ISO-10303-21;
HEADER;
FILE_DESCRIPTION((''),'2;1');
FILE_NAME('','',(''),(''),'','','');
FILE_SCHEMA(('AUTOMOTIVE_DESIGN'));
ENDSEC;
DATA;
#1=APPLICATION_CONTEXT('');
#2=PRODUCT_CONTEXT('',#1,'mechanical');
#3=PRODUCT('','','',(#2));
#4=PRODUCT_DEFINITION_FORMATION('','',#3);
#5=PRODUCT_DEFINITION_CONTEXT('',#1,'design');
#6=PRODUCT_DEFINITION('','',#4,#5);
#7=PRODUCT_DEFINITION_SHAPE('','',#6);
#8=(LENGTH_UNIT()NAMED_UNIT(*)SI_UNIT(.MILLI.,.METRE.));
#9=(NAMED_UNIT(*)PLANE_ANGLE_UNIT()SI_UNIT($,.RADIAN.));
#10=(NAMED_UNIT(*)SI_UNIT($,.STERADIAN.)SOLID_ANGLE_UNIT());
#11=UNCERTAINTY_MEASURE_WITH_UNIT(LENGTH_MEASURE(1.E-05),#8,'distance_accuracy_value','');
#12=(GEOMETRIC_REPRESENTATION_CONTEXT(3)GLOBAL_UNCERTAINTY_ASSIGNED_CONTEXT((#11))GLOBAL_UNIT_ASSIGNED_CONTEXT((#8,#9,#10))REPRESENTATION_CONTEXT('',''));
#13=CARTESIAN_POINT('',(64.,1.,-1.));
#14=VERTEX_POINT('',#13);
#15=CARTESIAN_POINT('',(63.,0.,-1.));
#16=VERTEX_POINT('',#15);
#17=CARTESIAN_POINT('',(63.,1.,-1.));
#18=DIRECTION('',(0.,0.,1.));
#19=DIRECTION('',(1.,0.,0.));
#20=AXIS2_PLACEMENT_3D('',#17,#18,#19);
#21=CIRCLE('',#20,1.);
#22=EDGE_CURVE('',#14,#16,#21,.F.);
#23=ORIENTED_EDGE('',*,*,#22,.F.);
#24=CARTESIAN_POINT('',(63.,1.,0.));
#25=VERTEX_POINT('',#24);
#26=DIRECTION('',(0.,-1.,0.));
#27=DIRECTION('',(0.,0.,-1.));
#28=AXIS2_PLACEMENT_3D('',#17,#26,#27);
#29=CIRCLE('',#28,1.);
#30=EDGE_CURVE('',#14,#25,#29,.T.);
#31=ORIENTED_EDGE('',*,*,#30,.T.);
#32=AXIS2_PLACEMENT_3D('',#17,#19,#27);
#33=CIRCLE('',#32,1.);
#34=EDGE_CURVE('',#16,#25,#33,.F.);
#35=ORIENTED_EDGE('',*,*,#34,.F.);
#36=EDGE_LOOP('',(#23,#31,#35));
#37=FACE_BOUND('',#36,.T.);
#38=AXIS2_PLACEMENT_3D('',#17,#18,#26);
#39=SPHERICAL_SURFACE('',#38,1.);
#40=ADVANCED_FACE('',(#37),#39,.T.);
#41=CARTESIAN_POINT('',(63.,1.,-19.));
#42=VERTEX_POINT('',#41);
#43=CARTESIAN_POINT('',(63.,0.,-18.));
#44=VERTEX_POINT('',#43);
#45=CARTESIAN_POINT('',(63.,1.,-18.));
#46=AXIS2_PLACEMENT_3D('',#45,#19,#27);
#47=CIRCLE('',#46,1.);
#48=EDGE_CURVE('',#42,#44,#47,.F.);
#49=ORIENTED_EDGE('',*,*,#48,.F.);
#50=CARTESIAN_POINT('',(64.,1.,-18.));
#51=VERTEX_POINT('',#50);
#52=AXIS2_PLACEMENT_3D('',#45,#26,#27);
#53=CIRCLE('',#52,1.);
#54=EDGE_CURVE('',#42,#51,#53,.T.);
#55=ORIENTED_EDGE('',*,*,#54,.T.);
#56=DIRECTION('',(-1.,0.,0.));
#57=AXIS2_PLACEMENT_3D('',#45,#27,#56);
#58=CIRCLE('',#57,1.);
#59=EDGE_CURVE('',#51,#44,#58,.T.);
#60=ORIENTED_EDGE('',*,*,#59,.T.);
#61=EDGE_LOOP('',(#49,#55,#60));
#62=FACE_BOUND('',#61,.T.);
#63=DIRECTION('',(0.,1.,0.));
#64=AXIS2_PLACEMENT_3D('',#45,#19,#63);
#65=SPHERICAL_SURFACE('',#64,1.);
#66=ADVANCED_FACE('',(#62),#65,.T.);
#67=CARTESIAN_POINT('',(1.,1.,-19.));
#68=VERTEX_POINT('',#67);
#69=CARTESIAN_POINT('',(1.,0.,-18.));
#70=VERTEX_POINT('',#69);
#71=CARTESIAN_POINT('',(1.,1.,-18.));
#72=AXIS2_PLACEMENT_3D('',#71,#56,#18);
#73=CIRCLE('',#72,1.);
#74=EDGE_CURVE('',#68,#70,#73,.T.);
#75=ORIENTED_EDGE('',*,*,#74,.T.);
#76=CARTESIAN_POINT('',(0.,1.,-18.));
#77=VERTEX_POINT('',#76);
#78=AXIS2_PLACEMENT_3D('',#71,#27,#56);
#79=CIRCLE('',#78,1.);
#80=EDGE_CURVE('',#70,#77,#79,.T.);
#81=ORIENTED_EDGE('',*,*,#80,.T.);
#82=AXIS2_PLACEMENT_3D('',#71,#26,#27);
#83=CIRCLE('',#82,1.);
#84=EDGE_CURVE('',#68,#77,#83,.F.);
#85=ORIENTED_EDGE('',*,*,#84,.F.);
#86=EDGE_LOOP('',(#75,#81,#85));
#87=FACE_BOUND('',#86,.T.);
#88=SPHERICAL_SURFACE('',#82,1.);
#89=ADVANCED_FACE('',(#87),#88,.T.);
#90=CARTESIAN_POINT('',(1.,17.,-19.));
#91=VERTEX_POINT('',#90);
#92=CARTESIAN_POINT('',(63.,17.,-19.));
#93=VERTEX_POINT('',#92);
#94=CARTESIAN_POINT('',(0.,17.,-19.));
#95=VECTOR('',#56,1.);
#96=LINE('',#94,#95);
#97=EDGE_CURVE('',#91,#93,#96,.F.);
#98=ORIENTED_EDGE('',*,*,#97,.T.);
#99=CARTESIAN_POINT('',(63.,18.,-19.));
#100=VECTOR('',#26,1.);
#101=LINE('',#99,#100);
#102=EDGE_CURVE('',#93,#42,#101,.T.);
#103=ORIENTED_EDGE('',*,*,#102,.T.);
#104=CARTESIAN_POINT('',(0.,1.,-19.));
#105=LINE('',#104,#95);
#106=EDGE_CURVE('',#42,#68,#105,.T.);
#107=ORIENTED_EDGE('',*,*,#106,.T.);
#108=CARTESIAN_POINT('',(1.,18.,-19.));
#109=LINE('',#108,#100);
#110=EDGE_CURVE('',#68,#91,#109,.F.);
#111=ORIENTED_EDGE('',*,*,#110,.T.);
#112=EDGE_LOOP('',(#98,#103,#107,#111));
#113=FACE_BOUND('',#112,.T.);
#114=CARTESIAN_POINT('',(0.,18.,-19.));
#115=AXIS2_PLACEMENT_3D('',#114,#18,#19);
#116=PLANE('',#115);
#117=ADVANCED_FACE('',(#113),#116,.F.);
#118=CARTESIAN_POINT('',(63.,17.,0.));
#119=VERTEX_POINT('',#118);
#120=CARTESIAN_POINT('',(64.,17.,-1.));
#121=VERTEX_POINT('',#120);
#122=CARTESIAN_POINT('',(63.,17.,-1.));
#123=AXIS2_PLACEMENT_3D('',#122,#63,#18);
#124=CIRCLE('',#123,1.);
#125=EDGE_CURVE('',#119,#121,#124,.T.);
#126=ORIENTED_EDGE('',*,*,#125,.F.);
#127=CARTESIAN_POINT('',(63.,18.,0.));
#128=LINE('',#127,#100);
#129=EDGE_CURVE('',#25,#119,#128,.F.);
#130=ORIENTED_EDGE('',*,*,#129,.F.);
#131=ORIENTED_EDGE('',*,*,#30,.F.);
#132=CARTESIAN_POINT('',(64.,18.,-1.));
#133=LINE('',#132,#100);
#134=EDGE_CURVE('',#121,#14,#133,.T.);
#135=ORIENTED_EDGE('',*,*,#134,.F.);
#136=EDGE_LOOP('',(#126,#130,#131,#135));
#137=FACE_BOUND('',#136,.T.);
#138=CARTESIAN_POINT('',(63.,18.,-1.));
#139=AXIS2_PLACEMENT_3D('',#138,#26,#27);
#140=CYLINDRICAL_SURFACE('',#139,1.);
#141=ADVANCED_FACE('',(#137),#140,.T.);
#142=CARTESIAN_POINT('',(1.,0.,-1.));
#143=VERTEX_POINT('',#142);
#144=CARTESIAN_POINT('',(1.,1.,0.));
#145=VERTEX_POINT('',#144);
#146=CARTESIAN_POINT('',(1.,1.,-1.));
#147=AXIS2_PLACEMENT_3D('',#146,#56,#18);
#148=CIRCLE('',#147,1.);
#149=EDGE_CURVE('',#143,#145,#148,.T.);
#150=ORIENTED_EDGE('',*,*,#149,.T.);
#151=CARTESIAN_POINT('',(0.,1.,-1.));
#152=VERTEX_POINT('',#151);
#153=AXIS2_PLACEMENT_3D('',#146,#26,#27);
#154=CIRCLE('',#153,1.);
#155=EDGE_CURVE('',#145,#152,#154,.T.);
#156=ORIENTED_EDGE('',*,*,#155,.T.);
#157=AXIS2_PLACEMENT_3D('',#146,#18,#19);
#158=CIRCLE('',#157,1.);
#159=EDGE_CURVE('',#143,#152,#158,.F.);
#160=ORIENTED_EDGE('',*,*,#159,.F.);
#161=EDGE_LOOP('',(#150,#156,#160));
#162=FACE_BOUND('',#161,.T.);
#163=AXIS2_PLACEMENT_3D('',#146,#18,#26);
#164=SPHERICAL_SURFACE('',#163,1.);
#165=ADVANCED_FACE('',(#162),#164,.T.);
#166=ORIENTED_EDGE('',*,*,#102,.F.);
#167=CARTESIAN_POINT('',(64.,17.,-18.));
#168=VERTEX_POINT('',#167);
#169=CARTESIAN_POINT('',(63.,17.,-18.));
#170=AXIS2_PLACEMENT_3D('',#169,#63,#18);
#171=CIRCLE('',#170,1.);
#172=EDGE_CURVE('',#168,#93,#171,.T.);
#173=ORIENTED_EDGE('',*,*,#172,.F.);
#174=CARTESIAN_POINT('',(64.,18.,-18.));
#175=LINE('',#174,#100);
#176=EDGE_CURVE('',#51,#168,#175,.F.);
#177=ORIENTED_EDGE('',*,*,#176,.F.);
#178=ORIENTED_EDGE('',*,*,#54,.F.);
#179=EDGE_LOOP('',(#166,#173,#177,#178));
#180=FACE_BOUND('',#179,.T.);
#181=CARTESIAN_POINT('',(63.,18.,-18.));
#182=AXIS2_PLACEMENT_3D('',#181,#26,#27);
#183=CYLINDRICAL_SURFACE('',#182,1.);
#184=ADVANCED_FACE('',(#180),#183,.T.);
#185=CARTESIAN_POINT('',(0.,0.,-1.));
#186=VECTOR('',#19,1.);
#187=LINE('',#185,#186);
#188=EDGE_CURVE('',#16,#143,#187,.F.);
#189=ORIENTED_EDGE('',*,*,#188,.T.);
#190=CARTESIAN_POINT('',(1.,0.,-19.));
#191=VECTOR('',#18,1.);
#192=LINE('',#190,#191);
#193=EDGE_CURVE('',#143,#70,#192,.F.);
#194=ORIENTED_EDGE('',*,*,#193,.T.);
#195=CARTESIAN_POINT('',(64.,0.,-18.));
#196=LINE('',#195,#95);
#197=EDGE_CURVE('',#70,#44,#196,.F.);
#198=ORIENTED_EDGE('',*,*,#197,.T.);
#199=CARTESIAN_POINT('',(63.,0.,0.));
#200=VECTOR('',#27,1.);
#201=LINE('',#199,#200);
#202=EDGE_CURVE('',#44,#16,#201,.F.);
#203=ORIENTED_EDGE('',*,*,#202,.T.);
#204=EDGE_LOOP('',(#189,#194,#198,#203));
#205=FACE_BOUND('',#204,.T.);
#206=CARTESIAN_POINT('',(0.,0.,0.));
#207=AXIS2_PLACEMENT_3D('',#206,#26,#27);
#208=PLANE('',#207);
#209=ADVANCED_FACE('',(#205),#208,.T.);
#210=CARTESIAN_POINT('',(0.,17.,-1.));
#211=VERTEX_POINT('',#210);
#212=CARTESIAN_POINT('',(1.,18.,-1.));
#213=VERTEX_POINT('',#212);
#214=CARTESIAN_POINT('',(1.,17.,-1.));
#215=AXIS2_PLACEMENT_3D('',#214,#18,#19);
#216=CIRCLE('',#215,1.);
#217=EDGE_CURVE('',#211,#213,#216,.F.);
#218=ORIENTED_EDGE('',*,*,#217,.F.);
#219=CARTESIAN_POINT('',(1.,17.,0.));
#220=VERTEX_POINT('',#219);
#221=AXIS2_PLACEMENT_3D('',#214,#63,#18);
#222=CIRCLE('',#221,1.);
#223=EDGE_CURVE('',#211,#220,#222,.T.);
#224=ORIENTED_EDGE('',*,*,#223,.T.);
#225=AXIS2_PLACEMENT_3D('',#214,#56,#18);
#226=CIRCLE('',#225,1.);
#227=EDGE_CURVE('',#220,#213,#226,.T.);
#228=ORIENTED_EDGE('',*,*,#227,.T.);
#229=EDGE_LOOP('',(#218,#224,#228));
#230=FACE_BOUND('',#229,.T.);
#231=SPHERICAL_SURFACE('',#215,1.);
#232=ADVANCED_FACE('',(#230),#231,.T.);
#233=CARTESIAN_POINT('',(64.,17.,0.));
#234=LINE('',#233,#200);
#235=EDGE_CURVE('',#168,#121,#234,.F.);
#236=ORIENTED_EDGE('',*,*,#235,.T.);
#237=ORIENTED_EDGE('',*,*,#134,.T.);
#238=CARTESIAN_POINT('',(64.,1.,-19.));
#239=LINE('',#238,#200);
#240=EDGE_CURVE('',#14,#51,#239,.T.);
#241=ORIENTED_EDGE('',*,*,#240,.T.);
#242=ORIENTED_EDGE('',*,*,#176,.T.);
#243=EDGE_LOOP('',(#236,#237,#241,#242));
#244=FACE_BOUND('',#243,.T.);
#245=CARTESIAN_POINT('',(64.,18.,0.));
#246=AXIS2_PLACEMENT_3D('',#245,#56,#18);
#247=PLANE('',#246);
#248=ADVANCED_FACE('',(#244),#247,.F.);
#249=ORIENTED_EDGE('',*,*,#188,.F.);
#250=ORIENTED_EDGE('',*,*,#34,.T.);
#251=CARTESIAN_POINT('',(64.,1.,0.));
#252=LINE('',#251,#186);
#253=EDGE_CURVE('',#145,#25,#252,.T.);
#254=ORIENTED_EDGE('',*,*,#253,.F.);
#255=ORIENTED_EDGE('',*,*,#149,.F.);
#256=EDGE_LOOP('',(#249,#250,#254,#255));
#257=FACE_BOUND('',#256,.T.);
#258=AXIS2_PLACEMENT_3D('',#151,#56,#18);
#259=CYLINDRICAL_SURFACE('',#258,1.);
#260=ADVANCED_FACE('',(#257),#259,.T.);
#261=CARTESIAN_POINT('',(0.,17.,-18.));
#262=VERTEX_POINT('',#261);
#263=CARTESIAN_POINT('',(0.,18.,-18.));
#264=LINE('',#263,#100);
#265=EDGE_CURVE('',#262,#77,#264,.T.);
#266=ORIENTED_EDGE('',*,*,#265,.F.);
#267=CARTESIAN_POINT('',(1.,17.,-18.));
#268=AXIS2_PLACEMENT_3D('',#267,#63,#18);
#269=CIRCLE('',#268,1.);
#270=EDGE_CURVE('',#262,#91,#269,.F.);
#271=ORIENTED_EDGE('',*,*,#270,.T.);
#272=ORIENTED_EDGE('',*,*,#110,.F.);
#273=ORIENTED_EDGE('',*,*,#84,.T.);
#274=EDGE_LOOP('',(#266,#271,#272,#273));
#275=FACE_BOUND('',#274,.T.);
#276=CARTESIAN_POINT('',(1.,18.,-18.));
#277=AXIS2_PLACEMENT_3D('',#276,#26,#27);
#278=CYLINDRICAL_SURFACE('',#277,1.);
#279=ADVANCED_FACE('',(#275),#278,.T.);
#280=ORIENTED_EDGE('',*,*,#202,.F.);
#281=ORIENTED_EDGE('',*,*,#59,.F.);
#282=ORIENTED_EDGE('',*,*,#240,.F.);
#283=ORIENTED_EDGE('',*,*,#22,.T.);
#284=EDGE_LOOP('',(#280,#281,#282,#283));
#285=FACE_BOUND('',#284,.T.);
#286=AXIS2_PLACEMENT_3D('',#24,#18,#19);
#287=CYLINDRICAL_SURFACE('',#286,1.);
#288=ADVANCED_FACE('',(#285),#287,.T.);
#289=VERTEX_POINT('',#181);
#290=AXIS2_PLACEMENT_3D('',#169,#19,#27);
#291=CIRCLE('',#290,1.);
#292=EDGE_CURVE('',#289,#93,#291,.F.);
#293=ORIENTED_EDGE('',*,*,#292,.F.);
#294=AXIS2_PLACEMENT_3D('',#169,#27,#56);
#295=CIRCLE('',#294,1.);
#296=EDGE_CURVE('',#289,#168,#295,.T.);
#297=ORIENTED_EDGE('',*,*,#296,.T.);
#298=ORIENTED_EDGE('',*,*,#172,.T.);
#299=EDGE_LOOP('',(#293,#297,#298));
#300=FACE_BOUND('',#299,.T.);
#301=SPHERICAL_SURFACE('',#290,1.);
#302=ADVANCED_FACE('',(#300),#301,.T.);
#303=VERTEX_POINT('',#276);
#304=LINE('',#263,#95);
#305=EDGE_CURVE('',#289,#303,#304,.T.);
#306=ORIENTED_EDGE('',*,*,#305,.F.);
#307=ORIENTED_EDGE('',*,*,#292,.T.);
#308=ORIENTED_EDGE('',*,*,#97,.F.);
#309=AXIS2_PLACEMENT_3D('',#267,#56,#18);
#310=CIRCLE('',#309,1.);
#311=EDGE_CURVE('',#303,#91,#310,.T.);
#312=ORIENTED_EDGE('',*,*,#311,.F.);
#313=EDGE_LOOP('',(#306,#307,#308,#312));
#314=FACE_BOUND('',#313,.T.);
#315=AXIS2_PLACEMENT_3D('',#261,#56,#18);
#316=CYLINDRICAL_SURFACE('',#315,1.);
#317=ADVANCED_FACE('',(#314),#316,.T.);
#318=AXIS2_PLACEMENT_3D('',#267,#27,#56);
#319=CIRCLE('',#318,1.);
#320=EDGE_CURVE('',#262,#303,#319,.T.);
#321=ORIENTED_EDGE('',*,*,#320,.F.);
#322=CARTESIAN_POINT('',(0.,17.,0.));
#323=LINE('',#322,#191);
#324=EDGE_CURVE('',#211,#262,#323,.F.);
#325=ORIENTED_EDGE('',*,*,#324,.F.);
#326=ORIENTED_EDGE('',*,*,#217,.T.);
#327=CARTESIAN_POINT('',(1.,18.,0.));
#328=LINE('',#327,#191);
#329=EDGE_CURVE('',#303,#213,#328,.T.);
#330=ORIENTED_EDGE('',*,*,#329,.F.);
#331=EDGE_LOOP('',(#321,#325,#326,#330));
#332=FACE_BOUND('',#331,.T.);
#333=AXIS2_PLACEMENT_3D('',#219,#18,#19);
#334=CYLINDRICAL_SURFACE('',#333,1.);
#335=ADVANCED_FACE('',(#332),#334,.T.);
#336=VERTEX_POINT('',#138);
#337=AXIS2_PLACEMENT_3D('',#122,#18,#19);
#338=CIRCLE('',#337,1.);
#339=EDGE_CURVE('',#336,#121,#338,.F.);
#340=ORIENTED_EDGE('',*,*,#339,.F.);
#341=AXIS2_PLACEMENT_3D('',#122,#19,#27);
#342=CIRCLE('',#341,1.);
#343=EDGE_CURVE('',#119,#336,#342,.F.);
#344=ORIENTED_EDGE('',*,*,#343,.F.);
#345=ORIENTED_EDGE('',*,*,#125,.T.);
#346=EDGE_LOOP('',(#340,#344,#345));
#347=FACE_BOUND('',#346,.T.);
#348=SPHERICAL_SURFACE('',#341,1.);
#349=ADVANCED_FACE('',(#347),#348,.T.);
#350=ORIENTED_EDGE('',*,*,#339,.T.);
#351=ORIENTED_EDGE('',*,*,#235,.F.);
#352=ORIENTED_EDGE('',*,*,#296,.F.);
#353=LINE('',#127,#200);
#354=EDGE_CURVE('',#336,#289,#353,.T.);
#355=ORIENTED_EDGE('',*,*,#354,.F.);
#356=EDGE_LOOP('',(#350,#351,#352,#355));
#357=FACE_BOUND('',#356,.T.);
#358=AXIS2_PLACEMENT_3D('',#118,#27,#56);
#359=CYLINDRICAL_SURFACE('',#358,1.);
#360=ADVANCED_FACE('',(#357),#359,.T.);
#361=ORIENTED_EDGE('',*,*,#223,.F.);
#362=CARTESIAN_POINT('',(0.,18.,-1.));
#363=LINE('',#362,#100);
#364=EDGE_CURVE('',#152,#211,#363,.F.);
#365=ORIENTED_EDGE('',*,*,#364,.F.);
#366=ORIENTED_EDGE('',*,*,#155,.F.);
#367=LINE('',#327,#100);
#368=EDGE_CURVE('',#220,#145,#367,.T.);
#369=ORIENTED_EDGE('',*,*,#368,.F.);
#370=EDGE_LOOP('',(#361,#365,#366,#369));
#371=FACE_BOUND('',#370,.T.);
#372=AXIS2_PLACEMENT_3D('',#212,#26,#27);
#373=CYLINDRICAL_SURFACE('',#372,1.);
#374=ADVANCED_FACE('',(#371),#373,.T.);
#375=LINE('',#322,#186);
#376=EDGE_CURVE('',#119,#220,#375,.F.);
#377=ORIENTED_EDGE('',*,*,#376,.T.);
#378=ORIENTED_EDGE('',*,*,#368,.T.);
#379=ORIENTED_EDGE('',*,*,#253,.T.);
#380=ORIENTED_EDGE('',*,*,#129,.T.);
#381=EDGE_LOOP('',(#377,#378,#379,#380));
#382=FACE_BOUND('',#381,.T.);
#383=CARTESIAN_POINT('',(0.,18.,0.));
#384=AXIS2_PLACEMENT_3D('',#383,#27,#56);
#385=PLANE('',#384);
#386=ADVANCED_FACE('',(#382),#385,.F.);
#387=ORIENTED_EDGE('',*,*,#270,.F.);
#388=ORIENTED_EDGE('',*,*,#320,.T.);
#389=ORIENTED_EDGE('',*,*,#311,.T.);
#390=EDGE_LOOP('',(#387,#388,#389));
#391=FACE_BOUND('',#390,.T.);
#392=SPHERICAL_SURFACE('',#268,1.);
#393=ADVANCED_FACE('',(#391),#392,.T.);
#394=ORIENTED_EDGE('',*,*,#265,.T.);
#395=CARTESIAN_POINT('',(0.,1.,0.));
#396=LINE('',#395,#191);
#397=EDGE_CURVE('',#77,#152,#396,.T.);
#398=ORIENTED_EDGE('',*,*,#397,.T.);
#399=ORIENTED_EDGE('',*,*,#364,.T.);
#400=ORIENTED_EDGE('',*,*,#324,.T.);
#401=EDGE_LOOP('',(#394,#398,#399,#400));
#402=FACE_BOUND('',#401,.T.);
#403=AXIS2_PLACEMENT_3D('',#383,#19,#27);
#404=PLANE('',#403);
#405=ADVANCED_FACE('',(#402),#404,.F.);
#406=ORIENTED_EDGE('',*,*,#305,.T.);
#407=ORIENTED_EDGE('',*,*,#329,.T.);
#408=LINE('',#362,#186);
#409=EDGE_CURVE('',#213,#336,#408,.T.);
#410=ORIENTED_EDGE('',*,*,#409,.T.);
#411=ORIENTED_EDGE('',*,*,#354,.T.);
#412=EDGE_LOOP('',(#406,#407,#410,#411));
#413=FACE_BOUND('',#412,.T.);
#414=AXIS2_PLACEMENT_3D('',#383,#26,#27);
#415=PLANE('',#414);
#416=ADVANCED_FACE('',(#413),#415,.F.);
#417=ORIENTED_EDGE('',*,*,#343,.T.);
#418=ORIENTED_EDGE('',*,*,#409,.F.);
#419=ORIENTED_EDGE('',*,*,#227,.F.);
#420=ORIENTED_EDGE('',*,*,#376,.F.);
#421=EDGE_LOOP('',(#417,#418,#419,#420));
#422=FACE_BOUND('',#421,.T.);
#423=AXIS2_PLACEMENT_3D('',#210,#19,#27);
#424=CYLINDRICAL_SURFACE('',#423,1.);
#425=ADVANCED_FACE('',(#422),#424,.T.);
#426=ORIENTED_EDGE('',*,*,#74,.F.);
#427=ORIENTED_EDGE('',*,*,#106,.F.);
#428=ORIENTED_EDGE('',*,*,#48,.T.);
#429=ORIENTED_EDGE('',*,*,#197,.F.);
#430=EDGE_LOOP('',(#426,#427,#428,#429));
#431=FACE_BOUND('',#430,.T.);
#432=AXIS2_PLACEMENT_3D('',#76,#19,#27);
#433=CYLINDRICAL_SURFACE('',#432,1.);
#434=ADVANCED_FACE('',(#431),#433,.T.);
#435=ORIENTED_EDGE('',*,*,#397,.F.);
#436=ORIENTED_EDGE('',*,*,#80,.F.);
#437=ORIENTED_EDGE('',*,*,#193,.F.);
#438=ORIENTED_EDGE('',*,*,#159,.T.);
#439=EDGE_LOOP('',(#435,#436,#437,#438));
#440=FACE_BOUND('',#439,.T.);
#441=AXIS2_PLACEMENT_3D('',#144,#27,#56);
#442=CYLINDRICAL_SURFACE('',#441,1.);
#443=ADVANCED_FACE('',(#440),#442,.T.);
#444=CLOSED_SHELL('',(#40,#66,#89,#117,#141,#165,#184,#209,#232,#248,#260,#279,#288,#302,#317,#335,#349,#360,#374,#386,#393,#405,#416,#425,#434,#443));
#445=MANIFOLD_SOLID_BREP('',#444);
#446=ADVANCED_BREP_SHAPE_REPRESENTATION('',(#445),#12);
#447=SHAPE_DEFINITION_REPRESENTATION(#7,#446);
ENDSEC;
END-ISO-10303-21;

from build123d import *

# Parameters (mm, degrees)
SKETCH1_W           = 64
SKETCH1_H           = 19
BOSS_EXTRUDE1_DEPTH = 18
FILLET1_R           = 1


with BuildPart() as part:
    # Sketch1 → Boss-Extrude1 (new body)
    with BuildSketch(Plane(origin=(0, 0, 0), x_dir=(1, 0, 0), z_dir=(0, 1, 0))):
        with Locations((32, 9.5)):
            Rectangle(SKETCH1_W, SKETCH1_H)
    extrude(amount=BOSS_EXTRUDE1_DEPTH)

    # Fillet1
    fillet1_edges = [part.edges().sort_by_distance(p)[0] for p in [
        (64, 18, -9.5),
        (32, 18, -19),
        (0, 18, -9.5),
        (32, 0, -19),
        (64, 0, -9.5),
        (32, 0, 0),
        (0, 0, -9.5),
        (0, 9, -19),
        (64, 9, -19),
        (64, 9, 0),
        (0, 9, 0),
        (32, 18, 0),
    ]]
    fillet(fillet1_edges, radius=FILLET1_R)


solid = part.part
